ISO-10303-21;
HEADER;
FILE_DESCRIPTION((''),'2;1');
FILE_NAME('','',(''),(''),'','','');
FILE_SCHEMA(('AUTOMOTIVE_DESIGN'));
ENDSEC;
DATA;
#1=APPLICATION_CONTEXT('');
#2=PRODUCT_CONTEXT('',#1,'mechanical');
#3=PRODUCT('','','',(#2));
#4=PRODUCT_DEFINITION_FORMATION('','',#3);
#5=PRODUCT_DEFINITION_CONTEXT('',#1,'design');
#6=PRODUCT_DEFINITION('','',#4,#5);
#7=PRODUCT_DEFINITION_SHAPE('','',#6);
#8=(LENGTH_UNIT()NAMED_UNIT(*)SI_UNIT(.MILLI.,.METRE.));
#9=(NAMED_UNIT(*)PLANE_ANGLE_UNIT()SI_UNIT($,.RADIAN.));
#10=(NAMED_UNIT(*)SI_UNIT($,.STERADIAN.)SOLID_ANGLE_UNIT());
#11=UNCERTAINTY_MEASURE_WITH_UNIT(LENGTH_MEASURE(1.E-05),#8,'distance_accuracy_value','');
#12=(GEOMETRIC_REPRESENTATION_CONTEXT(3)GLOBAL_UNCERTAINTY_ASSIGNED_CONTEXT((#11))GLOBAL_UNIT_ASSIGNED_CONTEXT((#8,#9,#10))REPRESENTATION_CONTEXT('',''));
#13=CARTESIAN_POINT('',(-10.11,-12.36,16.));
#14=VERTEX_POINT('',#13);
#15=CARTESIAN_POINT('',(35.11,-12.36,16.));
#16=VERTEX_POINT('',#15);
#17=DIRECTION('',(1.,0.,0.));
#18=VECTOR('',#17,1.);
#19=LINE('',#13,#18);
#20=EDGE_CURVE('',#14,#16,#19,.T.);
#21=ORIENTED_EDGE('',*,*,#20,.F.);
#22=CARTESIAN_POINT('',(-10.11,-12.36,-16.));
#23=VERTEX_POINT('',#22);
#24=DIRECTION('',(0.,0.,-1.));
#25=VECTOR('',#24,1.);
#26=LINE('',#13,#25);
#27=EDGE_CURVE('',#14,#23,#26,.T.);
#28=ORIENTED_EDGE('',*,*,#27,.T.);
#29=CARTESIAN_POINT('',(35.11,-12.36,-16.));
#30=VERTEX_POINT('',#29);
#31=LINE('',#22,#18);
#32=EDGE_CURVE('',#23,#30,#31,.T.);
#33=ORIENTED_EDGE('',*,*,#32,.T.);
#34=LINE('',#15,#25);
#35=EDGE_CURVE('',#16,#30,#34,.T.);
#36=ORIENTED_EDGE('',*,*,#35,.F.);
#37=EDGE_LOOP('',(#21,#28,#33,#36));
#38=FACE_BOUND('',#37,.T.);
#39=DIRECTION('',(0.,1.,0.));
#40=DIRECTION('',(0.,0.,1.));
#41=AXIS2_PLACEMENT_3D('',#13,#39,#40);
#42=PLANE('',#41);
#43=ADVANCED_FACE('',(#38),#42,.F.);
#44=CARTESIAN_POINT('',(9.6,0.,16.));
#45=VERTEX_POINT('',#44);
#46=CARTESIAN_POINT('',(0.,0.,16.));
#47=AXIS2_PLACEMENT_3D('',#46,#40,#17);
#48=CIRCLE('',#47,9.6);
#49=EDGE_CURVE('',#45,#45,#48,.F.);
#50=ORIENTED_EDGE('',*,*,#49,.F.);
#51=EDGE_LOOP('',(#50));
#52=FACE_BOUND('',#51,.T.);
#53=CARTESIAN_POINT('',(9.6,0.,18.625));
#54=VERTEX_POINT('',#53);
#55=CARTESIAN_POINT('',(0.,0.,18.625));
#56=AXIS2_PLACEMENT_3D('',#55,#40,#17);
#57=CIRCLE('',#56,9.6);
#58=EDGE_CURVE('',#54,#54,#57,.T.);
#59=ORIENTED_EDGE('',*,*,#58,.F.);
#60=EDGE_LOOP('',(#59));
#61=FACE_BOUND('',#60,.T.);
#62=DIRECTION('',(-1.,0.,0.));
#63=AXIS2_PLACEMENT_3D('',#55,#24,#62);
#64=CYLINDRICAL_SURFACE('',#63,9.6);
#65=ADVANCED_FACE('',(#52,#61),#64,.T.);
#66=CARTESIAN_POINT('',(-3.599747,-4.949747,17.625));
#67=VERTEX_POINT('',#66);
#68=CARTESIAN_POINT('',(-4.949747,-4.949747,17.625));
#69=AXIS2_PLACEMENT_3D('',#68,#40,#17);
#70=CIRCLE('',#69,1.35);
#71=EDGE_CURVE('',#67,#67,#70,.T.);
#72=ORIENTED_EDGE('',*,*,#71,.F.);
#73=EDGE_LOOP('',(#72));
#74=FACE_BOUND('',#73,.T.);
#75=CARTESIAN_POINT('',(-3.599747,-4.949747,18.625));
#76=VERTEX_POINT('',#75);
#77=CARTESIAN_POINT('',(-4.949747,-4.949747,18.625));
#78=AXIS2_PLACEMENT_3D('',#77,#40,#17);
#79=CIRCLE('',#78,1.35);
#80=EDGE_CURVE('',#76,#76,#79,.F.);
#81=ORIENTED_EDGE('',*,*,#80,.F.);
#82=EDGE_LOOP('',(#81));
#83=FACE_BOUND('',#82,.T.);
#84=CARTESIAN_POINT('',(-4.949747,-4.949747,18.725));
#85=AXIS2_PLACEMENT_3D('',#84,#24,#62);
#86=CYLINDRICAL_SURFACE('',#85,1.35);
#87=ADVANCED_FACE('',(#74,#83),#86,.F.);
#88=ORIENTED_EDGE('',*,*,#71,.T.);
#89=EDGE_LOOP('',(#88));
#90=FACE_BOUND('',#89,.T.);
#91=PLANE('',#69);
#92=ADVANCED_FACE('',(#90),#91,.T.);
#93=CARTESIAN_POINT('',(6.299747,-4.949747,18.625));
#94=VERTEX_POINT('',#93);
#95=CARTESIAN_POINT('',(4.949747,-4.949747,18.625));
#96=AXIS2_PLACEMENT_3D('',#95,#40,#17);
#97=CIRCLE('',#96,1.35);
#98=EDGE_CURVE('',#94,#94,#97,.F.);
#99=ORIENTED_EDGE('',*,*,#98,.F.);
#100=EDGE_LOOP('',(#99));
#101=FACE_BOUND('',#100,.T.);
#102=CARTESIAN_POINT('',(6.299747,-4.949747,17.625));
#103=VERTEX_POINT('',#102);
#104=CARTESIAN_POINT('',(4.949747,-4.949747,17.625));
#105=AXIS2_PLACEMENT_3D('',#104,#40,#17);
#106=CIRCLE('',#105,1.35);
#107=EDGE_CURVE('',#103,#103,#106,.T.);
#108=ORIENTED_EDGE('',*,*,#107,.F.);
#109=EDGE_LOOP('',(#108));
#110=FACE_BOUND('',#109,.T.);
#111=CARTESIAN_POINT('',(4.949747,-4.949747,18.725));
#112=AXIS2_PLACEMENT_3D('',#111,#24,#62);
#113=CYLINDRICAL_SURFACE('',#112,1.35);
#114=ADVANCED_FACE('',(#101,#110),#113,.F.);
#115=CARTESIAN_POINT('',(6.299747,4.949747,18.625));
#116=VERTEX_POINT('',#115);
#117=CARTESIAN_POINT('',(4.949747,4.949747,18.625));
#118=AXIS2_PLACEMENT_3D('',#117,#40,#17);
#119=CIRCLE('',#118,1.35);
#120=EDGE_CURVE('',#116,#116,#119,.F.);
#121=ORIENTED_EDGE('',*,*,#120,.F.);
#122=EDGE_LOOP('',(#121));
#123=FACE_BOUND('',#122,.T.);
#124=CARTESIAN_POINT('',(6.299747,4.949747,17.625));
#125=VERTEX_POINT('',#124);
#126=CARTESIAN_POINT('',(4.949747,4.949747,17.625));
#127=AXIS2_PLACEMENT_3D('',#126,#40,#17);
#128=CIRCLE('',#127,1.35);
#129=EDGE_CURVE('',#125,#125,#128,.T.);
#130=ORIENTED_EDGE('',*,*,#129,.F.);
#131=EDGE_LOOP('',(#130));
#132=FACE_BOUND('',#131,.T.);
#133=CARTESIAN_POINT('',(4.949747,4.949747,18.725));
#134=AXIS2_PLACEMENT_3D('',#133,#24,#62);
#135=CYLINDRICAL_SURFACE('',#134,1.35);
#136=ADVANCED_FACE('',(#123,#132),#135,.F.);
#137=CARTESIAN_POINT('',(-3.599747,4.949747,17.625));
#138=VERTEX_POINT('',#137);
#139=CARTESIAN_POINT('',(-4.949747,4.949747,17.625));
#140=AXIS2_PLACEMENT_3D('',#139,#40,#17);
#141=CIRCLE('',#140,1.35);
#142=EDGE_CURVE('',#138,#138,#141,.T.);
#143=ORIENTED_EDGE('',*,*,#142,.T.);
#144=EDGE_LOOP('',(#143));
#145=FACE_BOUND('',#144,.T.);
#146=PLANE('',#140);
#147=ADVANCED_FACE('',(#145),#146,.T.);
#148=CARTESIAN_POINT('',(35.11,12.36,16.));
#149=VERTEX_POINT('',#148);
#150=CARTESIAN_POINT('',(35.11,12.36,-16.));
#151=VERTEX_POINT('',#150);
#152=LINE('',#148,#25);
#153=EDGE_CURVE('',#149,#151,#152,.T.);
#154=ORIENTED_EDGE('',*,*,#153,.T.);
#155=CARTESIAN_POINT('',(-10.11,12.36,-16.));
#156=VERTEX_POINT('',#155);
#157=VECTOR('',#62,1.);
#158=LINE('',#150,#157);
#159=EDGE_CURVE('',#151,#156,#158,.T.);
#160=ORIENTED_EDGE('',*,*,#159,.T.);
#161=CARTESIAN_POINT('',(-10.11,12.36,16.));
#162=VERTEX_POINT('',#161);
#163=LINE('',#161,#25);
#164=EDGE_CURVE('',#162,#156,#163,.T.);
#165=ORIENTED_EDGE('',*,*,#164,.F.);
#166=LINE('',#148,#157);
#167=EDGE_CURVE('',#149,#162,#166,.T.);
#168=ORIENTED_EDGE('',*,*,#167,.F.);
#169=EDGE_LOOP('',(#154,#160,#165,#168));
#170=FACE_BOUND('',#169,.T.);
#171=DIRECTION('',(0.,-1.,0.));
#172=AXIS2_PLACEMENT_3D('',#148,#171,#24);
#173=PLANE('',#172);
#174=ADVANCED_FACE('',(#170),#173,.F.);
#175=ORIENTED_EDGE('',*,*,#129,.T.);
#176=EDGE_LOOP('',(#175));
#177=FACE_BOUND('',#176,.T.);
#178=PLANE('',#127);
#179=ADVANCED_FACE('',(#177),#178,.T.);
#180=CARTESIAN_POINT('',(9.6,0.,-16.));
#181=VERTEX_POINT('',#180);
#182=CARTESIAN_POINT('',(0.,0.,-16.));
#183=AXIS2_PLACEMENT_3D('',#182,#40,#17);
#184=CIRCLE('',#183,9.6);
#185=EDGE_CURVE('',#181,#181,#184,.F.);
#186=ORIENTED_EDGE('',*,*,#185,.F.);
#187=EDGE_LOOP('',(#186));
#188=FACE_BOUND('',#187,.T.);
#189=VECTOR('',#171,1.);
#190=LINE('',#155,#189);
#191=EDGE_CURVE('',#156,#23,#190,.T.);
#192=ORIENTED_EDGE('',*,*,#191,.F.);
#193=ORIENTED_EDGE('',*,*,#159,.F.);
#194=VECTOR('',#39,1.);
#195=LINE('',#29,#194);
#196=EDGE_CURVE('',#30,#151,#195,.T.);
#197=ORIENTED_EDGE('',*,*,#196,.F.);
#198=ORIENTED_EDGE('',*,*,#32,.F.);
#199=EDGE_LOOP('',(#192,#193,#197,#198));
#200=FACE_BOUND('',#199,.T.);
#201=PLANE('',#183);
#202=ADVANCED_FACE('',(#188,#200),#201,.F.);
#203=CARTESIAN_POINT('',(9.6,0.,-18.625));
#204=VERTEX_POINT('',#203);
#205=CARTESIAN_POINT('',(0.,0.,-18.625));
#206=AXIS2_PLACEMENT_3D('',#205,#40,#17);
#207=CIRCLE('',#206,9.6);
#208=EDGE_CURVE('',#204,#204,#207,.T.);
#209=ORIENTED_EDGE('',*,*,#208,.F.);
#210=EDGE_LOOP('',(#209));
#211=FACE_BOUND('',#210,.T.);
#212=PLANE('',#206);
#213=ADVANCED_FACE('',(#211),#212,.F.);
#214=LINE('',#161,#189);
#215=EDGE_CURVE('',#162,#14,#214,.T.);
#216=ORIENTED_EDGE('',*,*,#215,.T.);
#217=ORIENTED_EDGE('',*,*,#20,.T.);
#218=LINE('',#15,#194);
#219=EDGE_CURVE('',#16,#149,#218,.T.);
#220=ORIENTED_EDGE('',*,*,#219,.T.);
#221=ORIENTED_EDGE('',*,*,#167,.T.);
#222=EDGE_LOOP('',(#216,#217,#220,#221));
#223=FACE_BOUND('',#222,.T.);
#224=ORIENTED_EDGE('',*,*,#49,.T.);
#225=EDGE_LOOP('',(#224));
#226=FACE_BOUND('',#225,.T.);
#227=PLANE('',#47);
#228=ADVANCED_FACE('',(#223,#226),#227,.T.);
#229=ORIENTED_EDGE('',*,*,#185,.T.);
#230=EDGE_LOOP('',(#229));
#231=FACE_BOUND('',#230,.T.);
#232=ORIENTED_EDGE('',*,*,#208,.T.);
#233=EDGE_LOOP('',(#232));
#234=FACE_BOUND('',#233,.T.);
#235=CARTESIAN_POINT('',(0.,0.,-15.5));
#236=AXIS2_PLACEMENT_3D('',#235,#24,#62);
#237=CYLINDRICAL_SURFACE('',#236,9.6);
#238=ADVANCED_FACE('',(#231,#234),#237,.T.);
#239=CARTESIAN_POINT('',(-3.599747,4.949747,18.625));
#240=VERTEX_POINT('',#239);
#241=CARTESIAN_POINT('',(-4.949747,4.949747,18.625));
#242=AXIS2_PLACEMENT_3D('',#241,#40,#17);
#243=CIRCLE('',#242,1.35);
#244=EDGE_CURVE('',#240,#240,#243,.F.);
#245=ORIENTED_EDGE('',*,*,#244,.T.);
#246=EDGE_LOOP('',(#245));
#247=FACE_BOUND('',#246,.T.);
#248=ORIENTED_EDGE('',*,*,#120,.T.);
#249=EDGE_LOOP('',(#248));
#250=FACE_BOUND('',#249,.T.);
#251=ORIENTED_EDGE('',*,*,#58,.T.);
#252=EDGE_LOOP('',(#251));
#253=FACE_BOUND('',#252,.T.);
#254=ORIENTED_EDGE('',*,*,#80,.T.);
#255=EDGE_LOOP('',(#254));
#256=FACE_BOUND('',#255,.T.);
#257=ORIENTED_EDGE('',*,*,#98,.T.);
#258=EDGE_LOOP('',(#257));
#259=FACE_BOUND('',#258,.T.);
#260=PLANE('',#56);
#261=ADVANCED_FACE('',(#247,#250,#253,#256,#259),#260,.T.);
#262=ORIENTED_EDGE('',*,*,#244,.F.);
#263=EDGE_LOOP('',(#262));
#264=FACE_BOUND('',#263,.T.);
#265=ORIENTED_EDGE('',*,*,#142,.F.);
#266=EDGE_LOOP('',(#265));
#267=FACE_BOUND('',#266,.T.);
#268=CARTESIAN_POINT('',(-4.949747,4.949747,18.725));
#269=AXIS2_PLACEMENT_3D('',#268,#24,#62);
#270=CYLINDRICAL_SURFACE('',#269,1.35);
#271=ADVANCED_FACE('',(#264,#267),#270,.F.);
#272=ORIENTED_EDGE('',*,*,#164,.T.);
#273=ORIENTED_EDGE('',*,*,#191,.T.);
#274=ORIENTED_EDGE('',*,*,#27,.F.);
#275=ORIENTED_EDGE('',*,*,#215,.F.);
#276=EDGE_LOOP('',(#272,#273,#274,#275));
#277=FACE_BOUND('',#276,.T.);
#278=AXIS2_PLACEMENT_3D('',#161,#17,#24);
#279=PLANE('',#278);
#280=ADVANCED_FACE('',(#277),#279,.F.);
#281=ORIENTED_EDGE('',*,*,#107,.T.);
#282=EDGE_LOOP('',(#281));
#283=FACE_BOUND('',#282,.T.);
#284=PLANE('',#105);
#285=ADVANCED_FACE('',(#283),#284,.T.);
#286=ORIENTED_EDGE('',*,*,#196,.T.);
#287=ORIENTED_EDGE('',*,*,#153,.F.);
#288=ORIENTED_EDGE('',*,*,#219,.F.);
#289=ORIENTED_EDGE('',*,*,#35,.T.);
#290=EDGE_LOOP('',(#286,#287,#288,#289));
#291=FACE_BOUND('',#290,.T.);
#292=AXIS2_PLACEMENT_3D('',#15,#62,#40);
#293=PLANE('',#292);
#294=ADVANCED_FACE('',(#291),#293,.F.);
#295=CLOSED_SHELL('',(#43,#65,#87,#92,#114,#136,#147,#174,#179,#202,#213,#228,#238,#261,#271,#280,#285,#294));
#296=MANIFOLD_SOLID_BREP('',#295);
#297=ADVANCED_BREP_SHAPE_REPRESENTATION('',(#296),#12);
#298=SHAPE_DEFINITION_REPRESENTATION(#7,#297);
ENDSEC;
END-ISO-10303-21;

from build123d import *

# Parameters (mm, degrees)
S_BOX1_W     = 45.22
S_BOX1_H     = 24.72
BOSS_1_DEPTH = 32
S_CYL2_R     = 9.6
BOSS_2_DEPTH = 3.125
S_CYL3_R     = 9.6
BOSS_3_DEPTH = 3.125
S_HOLE4_R    = 1.35
HOLE_4_DEPTH = 1.1
S_HOLE5_R    = 1.35
HOLE_5_DEPTH = 1.1
S_HOLE6_R    = 1.35
HOLE_6_DEPTH = 1.1
S_HOLE7_R    = 1.35
HOLE_7_DEPTH = 1.1


with BuildPart() as part:
    # S_box1 → Boss_1 (new body)
    with BuildSketch(Plane.XY.offset(-16)):
        with Locations((12.5, 0)):
            Rectangle(S_BOX1_W, S_BOX1_H)
    extrude(amount=BOSS_1_DEPTH)

    # S_cyl2 → Boss_2 (add)
    with BuildSketch(Plane.XY.offset(15.5)):
        Circle(S_CYL2_R)
    extrude(amount=BOSS_2_DEPTH)

    # S_cyl3 → Boss_3 (add)
    with BuildSketch(Plane.XY.offset(-18.625)):
        Circle(S_CYL3_R)
    extrude(amount=BOSS_3_DEPTH)

    # S_hole4 → Hole_4 (cut)
    with BuildSketch(Plane.XY.offset(17.625)):
        with Locations((4.949747468, 4.949747468)):
            Circle(S_HOLE4_R)
    extrude(amount=HOLE_4_DEPTH, mode=Mode.SUBTRACT)

    # S_hole5 → Hole_5 (cut)
    with BuildSketch(Plane.XY.offset(17.625)):
        with Locations((-4.949747468, 4.949747468)):
            Circle(S_HOLE5_R)
    extrude(amount=HOLE_5_DEPTH, mode=Mode.SUBTRACT)

    # S_hole6 → Hole_6 (cut)
    with BuildSketch(Plane.XY.offset(17.625)):
        with Locations((-4.949747468, -4.949747468)):
            Circle(S_HOLE6_R)
    extrude(amount=HOLE_6_DEPTH, mode=Mode.SUBTRACT)

    # S_hole7 → Hole_7 (cut)
    with BuildSketch(Plane.XY.offset(17.625)):
        with Locations((4.949747468, -4.949747468)):
            Circle(S_HOLE7_R)
    extrude(amount=HOLE_7_DEPTH, mode=Mode.SUBTRACT)


solid = part.part
